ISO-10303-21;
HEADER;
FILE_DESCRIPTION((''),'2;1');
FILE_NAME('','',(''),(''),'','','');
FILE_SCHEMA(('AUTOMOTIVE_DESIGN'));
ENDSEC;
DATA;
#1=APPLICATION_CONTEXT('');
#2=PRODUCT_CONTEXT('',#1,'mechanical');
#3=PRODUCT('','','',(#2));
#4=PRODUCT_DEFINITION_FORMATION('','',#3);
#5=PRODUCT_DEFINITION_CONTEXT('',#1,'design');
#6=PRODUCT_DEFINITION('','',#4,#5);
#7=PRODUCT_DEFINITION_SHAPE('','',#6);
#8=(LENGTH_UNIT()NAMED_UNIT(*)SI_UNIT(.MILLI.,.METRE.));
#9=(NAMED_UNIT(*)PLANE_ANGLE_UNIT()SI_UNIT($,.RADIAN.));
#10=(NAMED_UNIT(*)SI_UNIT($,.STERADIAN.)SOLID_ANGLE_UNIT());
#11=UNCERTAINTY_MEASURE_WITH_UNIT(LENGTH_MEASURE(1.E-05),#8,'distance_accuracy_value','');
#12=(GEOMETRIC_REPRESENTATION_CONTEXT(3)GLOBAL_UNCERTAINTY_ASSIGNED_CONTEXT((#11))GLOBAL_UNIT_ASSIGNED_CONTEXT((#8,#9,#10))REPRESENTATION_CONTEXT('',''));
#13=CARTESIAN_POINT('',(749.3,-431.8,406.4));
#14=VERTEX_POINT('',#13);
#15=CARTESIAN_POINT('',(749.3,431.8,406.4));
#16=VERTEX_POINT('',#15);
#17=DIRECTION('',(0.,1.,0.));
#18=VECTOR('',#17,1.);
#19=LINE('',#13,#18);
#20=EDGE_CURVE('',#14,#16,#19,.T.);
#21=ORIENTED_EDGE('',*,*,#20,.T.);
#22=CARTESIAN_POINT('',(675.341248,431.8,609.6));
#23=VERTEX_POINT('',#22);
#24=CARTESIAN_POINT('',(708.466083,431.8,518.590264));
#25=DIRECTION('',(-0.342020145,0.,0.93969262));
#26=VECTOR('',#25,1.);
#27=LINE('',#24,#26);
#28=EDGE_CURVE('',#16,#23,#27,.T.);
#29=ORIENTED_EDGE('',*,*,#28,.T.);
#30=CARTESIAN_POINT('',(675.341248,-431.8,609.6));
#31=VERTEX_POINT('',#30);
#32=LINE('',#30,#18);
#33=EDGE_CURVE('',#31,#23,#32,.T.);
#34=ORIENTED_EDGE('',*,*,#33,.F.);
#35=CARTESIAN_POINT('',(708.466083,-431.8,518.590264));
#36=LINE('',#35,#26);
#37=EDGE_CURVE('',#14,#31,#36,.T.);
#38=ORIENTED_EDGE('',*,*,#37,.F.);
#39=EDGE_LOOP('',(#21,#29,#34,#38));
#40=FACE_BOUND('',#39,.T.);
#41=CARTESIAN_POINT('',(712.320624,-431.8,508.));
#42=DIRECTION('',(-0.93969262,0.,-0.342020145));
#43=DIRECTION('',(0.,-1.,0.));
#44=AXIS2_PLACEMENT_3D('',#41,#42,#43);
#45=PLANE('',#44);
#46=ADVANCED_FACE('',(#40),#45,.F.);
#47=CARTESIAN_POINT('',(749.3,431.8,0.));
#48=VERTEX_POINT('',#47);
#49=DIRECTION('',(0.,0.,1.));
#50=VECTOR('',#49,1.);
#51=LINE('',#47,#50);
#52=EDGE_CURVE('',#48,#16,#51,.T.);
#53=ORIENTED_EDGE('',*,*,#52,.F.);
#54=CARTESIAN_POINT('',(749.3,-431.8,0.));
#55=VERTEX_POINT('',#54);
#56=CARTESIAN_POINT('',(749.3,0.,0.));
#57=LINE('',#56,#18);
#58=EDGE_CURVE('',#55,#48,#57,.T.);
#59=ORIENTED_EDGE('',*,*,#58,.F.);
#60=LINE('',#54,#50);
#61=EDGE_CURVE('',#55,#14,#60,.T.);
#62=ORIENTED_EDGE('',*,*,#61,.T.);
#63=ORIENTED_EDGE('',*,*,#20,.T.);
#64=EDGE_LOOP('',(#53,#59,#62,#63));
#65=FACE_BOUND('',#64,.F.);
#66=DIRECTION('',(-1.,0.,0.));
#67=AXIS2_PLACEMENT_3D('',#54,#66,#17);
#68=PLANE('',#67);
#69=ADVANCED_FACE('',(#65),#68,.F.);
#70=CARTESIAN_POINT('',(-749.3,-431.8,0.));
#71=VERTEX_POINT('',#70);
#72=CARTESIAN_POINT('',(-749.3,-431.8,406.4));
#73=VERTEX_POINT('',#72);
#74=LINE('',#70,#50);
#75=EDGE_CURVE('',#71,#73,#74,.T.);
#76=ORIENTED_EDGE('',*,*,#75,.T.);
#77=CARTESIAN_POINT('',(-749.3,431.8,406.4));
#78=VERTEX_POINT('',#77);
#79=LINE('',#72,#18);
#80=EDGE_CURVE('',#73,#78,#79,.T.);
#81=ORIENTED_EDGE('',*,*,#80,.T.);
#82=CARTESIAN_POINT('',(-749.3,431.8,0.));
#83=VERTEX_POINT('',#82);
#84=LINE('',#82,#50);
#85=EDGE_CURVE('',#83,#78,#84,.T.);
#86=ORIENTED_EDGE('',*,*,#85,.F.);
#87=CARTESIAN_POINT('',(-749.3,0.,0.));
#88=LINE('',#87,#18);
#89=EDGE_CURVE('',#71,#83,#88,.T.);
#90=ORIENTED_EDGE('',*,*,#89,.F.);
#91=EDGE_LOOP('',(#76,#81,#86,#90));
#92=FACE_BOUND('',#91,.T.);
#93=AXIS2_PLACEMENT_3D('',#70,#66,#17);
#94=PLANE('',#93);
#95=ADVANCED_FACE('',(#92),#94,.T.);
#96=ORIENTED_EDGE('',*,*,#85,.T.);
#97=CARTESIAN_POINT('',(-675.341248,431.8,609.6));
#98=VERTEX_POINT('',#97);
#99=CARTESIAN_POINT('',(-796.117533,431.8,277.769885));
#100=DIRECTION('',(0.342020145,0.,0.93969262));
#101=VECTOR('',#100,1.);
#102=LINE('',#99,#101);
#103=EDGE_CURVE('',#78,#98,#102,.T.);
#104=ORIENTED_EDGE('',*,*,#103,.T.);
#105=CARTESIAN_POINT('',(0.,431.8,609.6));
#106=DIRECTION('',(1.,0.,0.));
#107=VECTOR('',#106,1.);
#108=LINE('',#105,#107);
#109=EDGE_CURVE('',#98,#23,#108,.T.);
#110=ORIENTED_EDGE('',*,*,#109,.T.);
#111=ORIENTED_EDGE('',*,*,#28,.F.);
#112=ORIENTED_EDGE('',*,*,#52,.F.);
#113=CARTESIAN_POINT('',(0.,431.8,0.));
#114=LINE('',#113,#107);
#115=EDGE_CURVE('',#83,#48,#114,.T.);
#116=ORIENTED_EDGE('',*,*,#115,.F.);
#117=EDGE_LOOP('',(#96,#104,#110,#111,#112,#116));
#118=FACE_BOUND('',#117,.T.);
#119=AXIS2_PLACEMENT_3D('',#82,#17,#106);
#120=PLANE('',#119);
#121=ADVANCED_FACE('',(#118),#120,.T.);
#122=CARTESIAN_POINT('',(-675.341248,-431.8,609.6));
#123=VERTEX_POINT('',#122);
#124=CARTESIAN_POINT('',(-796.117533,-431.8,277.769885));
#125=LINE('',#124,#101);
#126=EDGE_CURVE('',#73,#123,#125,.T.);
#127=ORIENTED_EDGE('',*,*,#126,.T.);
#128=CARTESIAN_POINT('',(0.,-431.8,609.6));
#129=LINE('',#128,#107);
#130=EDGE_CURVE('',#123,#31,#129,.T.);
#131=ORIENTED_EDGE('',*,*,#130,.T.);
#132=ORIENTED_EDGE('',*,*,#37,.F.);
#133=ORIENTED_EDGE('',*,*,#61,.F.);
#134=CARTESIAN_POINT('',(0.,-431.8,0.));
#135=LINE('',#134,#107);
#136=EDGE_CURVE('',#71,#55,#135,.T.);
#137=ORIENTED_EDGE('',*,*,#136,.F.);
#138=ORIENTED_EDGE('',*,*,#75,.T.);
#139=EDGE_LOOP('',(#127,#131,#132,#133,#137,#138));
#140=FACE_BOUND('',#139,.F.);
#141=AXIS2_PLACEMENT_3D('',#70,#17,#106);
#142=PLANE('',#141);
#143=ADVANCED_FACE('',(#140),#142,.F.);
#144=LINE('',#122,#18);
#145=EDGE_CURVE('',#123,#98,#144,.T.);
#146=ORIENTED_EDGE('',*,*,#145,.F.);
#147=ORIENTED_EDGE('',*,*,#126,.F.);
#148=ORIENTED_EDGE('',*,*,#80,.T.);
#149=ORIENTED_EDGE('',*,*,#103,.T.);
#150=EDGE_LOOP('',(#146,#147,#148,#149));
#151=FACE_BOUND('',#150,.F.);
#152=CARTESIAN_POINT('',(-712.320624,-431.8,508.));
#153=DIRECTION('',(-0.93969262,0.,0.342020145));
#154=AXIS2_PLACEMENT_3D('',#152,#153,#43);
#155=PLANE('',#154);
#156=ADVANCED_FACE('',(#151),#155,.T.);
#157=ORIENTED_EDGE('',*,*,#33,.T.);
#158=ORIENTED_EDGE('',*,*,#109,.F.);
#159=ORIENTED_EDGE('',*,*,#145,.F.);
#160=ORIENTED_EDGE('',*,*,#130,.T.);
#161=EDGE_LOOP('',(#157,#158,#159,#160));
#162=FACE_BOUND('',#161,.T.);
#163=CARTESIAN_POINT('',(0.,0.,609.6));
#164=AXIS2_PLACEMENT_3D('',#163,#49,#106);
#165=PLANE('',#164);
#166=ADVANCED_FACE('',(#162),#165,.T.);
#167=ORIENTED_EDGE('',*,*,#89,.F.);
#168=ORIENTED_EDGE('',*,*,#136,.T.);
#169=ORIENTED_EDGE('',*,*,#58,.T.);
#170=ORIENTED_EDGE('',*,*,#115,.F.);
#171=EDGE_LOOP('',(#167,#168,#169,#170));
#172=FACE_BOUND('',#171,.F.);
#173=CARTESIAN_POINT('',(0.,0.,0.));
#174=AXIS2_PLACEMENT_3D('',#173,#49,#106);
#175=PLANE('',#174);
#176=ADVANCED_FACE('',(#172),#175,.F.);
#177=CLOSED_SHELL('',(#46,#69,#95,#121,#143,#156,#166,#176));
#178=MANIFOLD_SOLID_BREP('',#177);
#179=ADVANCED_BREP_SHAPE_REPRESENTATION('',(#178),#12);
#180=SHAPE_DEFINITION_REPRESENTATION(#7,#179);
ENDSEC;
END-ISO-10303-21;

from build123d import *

# Parameters (mm, degrees)
F0_W     = 1498.6
F0_H     = 863.6
F1_DEPTH = 609.6
F2_SIZE2 = 73.958752
F2_SIZE  = 203.2


with BuildPart() as f1:
    # F0 (on Top) → F1 (new body)
    with BuildSketch(Plane.XY):
        Rectangle(F0_W, F0_H)
    extrude(amount=F1_DEPTH)

    # F2
    f2_edges = [f1.edges().sort_by_distance(p)[0] for p in [
        (-749.3, 0, 609.6),
        (749.3, 0, 609.6),
    ]]
    chamfer(f2_edges, length=F2_SIZE, length2=F2_SIZE2)


solid = f1.part
